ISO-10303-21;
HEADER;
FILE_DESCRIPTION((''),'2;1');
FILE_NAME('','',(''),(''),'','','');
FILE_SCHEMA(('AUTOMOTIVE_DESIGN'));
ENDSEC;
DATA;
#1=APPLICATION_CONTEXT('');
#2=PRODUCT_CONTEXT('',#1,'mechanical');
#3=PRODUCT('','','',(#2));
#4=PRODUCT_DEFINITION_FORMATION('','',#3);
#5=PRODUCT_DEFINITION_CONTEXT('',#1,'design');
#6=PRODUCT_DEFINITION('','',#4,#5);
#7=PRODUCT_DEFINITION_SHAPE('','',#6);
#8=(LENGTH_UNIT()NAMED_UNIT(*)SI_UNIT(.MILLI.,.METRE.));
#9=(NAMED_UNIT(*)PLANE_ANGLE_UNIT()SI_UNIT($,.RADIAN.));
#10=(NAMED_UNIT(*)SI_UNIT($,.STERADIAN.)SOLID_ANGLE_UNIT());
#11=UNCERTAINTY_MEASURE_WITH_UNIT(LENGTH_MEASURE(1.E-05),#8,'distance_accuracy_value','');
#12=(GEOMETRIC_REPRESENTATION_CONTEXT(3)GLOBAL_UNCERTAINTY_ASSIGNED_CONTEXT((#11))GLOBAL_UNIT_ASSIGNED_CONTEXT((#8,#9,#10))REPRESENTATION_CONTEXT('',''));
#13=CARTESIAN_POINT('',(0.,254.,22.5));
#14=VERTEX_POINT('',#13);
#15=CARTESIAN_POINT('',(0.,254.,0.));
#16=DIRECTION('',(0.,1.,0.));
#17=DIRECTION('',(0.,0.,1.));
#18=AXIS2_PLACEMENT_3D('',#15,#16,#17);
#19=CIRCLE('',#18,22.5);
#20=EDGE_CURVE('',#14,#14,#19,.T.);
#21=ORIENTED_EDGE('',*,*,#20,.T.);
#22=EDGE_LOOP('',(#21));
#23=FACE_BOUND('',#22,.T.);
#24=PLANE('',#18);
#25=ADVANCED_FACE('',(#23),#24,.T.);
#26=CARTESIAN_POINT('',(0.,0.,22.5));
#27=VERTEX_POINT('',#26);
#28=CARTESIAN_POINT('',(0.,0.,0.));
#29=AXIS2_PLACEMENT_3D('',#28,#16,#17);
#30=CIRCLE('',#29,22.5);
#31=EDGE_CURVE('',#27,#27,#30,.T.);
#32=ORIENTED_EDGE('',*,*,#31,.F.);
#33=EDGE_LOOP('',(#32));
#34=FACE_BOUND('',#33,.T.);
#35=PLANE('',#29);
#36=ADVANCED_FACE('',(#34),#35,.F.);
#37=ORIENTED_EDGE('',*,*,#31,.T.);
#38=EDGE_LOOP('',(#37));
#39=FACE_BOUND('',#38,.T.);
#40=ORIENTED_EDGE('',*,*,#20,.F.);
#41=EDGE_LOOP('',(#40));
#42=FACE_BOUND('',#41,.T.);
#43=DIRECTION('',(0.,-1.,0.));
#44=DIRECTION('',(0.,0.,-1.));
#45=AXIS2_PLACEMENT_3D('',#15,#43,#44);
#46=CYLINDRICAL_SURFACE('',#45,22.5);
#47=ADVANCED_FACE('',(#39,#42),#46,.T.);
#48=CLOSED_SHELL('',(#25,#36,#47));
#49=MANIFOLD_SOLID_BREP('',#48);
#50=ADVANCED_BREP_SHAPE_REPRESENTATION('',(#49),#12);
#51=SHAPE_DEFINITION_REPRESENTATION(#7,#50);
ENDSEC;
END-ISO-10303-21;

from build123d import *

# Parameters (mm, degrees)
CROQUIS1_R              = 22.5
SALIENTE_EXTRUIR1_DEPTH = 254


with BuildPart() as part:
    # Croquis1 → Saliente-Extruir1 (new body)
    with BuildSketch(Plane(origin=(0, 0, 0), x_dir=(1, 0, 0), z_dir=(0, 1, 0))):
        Circle(CROQUIS1_R)
    extrude(amount=SALIENTE_EXTRUIR1_DEPTH)


solid = part.part
